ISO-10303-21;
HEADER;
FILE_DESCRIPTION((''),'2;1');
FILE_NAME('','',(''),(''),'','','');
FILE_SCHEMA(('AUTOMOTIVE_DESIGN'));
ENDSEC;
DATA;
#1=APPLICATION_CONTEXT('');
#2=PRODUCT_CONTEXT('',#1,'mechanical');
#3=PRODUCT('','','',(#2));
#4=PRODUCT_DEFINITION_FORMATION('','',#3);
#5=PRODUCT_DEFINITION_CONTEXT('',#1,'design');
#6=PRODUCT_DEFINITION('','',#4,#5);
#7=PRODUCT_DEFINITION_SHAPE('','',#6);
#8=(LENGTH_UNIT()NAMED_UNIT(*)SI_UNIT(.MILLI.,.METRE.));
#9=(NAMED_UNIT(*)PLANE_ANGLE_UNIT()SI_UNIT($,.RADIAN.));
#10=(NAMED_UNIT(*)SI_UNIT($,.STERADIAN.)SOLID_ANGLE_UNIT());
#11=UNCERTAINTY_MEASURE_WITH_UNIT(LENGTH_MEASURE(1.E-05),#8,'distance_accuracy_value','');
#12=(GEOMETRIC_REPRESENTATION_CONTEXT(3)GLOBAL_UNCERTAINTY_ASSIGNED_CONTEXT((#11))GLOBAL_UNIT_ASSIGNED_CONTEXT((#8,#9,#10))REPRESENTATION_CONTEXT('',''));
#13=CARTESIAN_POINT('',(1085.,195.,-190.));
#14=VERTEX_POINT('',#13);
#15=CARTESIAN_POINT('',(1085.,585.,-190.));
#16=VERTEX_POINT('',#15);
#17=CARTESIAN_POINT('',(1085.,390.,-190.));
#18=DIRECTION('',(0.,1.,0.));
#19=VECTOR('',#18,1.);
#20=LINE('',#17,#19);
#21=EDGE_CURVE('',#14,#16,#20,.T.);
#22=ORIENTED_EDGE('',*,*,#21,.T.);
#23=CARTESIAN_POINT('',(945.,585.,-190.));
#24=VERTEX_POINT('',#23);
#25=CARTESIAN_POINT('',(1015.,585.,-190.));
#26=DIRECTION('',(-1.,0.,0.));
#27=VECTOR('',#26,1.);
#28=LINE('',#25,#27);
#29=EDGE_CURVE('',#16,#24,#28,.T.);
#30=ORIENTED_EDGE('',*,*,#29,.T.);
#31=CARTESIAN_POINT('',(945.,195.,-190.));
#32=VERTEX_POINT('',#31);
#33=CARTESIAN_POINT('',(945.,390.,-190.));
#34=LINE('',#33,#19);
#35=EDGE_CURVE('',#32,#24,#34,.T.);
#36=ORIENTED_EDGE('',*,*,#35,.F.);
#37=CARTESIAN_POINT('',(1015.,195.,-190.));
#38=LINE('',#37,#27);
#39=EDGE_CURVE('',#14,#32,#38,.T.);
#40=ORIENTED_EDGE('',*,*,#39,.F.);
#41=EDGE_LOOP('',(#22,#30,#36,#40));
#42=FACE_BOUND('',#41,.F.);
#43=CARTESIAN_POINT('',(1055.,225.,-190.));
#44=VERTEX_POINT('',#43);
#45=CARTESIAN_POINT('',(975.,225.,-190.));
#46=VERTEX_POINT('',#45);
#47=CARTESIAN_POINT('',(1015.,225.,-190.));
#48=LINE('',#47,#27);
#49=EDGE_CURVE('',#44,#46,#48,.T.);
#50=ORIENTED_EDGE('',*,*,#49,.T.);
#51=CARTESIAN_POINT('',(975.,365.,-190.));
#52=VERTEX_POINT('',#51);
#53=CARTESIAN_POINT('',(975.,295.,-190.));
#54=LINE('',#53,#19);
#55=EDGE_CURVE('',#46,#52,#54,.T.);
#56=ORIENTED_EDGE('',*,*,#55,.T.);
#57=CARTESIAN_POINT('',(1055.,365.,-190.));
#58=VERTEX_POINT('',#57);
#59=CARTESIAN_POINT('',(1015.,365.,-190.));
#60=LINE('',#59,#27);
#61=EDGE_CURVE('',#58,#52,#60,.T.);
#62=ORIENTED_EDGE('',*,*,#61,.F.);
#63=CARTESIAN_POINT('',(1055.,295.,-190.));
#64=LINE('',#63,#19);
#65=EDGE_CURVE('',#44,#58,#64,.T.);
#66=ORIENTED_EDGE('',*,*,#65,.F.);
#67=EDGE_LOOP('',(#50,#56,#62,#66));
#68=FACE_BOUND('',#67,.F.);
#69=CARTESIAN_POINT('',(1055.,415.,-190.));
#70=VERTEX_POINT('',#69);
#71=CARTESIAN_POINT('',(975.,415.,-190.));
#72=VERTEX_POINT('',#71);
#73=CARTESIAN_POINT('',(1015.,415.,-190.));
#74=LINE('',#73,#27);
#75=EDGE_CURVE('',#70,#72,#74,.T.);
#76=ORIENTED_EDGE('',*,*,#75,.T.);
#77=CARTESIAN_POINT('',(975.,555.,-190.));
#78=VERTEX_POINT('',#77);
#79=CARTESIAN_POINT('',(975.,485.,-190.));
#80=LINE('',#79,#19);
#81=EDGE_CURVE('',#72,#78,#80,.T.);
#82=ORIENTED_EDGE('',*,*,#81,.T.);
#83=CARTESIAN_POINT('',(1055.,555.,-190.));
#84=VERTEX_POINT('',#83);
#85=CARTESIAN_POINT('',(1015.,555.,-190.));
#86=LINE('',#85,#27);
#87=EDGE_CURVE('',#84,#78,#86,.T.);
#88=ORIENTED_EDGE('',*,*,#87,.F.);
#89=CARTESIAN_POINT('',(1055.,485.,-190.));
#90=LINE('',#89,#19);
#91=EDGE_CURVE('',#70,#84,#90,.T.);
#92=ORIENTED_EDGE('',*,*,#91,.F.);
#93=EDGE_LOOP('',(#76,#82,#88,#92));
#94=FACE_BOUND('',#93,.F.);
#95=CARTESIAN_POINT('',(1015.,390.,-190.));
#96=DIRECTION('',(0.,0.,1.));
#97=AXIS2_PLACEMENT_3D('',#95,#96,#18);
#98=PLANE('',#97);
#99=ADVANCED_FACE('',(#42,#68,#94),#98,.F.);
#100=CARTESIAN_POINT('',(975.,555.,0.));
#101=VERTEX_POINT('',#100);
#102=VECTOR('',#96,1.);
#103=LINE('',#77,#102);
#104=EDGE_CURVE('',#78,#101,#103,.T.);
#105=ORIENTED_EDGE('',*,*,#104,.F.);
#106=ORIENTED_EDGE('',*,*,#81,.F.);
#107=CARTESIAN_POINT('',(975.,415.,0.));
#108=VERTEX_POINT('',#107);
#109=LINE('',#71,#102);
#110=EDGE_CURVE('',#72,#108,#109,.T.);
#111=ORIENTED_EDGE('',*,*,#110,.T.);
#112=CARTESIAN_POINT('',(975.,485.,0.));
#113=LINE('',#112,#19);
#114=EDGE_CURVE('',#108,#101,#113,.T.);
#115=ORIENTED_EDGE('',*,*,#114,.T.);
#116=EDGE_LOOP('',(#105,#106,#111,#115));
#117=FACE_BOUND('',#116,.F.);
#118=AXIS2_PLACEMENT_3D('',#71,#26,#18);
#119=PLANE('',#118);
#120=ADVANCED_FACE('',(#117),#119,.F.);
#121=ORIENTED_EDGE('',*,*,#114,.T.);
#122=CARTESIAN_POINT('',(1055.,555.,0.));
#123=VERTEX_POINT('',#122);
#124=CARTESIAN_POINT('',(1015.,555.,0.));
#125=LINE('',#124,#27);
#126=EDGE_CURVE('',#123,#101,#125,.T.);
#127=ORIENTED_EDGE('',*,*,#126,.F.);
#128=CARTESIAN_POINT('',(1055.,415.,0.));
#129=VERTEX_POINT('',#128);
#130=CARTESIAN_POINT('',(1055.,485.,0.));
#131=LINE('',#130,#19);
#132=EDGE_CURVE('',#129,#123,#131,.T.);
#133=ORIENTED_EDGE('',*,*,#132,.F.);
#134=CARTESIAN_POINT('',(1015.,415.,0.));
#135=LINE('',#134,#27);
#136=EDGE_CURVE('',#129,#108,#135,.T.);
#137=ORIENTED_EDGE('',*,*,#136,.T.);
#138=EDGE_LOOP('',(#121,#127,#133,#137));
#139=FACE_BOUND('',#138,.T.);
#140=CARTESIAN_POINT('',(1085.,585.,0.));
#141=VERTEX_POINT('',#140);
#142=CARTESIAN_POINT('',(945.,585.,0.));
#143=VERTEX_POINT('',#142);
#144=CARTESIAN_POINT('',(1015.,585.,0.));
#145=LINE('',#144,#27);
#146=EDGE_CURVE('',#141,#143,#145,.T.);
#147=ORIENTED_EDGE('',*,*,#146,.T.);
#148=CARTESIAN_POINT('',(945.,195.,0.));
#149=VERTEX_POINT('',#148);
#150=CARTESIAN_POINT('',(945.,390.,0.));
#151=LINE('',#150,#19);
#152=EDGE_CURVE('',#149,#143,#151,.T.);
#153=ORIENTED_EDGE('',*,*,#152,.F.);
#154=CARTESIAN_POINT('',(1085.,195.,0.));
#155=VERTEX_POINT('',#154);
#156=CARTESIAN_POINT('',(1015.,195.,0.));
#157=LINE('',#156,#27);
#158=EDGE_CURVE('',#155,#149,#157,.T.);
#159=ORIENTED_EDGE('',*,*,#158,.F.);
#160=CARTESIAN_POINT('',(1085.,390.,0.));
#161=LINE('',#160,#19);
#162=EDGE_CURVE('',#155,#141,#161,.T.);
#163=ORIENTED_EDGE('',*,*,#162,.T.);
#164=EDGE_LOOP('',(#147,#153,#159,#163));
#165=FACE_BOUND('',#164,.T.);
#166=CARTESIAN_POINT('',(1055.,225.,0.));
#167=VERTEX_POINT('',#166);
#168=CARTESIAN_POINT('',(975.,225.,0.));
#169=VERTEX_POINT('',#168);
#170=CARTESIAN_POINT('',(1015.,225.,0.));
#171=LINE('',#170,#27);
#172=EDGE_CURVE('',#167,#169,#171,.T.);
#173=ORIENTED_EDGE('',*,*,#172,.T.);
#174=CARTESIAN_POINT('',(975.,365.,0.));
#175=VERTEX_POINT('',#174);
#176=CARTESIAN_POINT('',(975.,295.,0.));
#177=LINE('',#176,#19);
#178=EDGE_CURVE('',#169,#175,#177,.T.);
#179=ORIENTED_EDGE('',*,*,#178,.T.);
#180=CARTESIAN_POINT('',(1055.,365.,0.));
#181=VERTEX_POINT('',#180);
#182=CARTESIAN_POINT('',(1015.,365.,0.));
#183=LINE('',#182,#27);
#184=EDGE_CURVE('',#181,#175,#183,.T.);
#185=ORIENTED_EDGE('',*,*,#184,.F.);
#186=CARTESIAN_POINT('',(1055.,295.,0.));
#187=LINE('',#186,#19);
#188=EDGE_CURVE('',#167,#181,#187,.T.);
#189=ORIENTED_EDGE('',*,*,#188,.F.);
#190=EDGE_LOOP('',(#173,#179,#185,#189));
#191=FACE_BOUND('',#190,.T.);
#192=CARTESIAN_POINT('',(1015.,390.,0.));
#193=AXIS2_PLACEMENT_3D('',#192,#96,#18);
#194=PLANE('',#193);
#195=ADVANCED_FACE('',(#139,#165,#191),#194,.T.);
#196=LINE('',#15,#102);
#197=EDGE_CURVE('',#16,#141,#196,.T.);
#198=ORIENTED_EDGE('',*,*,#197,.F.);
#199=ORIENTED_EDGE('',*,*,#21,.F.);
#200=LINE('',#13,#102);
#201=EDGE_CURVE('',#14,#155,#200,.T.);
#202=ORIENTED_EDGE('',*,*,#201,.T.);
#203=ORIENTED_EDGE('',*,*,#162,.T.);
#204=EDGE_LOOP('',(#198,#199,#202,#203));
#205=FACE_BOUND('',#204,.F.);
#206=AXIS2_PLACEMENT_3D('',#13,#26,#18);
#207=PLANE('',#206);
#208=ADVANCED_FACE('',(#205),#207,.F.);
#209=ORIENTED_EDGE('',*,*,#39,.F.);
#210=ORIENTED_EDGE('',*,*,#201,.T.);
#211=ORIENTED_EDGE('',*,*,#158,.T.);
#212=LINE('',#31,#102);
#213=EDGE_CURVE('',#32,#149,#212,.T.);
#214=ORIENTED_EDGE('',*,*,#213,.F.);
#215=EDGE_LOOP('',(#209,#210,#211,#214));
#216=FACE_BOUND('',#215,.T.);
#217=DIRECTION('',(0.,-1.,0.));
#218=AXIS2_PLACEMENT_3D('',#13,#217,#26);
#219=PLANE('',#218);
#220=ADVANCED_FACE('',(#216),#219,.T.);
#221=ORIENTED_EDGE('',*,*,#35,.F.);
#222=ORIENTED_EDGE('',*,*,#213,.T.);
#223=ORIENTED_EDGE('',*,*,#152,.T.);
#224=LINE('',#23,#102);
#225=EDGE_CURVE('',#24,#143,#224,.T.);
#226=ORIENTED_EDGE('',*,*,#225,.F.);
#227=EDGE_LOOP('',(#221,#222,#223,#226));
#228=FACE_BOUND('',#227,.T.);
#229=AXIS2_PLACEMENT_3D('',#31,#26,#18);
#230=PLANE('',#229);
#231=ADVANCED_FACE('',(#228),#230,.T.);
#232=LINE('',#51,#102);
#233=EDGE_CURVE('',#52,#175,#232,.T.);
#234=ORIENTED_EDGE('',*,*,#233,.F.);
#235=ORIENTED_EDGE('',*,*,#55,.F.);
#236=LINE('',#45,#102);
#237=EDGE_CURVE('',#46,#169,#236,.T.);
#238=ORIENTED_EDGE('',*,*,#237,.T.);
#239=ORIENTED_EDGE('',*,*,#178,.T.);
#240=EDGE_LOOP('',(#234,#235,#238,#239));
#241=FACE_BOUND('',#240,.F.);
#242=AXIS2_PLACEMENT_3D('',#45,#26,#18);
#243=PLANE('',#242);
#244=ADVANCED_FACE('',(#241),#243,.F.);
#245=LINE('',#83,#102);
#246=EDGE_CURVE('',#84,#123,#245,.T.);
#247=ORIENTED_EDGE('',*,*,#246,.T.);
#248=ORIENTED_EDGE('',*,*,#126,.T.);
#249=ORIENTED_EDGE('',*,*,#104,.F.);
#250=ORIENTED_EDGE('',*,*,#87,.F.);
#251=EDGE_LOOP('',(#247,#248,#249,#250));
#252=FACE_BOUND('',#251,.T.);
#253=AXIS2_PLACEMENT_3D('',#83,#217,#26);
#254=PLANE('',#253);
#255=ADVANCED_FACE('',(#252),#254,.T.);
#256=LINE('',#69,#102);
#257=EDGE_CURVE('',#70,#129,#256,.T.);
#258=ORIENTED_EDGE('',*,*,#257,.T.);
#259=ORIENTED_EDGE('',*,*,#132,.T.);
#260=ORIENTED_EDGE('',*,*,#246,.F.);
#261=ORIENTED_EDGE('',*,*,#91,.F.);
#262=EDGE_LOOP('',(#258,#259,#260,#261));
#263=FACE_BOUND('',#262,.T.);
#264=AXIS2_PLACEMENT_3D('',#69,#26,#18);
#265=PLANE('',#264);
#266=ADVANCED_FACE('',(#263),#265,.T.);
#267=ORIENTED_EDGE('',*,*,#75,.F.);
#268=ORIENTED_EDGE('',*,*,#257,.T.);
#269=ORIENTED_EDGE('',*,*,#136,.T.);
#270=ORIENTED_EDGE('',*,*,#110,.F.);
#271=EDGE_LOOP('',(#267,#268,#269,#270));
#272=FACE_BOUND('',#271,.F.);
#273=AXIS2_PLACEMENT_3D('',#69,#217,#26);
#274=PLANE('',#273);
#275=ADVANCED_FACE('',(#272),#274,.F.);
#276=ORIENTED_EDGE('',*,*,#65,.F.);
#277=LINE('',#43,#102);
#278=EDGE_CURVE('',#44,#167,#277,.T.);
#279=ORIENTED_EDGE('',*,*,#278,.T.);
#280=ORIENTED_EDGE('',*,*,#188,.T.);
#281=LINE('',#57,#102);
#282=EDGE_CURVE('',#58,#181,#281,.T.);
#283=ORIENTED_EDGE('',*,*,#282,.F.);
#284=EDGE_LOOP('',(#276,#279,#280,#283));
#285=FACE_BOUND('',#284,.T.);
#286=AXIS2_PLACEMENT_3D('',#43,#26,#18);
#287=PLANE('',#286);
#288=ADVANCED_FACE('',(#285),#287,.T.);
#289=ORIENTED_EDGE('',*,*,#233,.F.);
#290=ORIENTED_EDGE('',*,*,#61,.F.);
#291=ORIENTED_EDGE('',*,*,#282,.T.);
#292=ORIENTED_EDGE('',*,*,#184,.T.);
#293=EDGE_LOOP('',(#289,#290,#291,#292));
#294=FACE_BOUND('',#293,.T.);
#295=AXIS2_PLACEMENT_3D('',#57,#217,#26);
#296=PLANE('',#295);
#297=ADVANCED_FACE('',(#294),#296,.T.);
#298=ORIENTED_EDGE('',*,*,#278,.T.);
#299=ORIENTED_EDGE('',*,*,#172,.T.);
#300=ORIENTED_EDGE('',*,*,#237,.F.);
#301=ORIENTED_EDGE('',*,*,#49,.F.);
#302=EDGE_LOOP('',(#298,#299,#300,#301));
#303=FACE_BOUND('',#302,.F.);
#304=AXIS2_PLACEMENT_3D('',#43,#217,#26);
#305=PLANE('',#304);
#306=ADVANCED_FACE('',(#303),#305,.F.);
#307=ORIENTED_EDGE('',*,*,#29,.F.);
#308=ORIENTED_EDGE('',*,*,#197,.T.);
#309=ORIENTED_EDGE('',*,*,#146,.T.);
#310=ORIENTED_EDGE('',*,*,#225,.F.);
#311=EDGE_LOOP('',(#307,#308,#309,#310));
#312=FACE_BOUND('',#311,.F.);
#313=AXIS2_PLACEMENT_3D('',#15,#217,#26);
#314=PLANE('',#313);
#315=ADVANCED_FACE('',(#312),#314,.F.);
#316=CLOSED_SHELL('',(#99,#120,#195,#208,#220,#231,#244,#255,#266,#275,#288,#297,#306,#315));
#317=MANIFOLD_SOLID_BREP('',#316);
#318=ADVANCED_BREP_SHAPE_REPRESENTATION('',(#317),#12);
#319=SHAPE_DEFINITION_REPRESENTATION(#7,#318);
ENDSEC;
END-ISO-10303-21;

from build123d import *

# Parameters (mm, degrees)
BOX116_W               = 140
BOX116_H               = 80
BOX116_DEPTH           = 190
BOX118_W               = 140
BOX118_H               = 80
BOX118_DEPTH           = 190
BOX117_W               = 390
BOX117_H               = 140
BOX117_DEPTH           = 190
CUT017_PLACEMENT_ANGLE = 90


with BuildPart() as cube088:
    # Box116 → Box116 (new body)
    with BuildSketch(Plane(origin=(220, 30, 0), x_dir=(1, 0, 0), z_dir=(0, 0, 1))):
        with Locations((70, 40)):
            Rectangle(BOX116_W, BOX116_H)
    extrude(amount=BOX116_DEPTH)


with BuildPart() as fusion022:
    # Box118 → Box118 (new body)
    with BuildSketch(Plane(origin=(30, 30, 0), x_dir=(1, 0, 0), z_dir=(0, 0, 1))):
        with Locations((70, 40)):
            Rectangle(BOX118_W, BOX118_H)
    extrude(amount=BOX118_DEPTH)

    # Fusion022: union Cube088
    add(cube088.part)


with BuildPart() as cut017:
    # Box117 → Box117 (new body)
    with BuildSketch(Plane.XY):
        with Locations((195, 70)):
            Rectangle(BOX117_W, BOX117_H)
    extrude(amount=BOX117_DEPTH)

    # Cut017: cut Fusion022
    add(fusion022.part, mode=Mode.SUBTRACT)


with BuildPart() as cut017_1:
    # Cut017 placement: moved
    add(cut017.part.moved(Location((1085, 195, -190))).rotate(Axis((1085, 195, -190), (0, 0, 1)), CUT017_PLACEMENT_ANGLE))


solid = cut017_1.part
